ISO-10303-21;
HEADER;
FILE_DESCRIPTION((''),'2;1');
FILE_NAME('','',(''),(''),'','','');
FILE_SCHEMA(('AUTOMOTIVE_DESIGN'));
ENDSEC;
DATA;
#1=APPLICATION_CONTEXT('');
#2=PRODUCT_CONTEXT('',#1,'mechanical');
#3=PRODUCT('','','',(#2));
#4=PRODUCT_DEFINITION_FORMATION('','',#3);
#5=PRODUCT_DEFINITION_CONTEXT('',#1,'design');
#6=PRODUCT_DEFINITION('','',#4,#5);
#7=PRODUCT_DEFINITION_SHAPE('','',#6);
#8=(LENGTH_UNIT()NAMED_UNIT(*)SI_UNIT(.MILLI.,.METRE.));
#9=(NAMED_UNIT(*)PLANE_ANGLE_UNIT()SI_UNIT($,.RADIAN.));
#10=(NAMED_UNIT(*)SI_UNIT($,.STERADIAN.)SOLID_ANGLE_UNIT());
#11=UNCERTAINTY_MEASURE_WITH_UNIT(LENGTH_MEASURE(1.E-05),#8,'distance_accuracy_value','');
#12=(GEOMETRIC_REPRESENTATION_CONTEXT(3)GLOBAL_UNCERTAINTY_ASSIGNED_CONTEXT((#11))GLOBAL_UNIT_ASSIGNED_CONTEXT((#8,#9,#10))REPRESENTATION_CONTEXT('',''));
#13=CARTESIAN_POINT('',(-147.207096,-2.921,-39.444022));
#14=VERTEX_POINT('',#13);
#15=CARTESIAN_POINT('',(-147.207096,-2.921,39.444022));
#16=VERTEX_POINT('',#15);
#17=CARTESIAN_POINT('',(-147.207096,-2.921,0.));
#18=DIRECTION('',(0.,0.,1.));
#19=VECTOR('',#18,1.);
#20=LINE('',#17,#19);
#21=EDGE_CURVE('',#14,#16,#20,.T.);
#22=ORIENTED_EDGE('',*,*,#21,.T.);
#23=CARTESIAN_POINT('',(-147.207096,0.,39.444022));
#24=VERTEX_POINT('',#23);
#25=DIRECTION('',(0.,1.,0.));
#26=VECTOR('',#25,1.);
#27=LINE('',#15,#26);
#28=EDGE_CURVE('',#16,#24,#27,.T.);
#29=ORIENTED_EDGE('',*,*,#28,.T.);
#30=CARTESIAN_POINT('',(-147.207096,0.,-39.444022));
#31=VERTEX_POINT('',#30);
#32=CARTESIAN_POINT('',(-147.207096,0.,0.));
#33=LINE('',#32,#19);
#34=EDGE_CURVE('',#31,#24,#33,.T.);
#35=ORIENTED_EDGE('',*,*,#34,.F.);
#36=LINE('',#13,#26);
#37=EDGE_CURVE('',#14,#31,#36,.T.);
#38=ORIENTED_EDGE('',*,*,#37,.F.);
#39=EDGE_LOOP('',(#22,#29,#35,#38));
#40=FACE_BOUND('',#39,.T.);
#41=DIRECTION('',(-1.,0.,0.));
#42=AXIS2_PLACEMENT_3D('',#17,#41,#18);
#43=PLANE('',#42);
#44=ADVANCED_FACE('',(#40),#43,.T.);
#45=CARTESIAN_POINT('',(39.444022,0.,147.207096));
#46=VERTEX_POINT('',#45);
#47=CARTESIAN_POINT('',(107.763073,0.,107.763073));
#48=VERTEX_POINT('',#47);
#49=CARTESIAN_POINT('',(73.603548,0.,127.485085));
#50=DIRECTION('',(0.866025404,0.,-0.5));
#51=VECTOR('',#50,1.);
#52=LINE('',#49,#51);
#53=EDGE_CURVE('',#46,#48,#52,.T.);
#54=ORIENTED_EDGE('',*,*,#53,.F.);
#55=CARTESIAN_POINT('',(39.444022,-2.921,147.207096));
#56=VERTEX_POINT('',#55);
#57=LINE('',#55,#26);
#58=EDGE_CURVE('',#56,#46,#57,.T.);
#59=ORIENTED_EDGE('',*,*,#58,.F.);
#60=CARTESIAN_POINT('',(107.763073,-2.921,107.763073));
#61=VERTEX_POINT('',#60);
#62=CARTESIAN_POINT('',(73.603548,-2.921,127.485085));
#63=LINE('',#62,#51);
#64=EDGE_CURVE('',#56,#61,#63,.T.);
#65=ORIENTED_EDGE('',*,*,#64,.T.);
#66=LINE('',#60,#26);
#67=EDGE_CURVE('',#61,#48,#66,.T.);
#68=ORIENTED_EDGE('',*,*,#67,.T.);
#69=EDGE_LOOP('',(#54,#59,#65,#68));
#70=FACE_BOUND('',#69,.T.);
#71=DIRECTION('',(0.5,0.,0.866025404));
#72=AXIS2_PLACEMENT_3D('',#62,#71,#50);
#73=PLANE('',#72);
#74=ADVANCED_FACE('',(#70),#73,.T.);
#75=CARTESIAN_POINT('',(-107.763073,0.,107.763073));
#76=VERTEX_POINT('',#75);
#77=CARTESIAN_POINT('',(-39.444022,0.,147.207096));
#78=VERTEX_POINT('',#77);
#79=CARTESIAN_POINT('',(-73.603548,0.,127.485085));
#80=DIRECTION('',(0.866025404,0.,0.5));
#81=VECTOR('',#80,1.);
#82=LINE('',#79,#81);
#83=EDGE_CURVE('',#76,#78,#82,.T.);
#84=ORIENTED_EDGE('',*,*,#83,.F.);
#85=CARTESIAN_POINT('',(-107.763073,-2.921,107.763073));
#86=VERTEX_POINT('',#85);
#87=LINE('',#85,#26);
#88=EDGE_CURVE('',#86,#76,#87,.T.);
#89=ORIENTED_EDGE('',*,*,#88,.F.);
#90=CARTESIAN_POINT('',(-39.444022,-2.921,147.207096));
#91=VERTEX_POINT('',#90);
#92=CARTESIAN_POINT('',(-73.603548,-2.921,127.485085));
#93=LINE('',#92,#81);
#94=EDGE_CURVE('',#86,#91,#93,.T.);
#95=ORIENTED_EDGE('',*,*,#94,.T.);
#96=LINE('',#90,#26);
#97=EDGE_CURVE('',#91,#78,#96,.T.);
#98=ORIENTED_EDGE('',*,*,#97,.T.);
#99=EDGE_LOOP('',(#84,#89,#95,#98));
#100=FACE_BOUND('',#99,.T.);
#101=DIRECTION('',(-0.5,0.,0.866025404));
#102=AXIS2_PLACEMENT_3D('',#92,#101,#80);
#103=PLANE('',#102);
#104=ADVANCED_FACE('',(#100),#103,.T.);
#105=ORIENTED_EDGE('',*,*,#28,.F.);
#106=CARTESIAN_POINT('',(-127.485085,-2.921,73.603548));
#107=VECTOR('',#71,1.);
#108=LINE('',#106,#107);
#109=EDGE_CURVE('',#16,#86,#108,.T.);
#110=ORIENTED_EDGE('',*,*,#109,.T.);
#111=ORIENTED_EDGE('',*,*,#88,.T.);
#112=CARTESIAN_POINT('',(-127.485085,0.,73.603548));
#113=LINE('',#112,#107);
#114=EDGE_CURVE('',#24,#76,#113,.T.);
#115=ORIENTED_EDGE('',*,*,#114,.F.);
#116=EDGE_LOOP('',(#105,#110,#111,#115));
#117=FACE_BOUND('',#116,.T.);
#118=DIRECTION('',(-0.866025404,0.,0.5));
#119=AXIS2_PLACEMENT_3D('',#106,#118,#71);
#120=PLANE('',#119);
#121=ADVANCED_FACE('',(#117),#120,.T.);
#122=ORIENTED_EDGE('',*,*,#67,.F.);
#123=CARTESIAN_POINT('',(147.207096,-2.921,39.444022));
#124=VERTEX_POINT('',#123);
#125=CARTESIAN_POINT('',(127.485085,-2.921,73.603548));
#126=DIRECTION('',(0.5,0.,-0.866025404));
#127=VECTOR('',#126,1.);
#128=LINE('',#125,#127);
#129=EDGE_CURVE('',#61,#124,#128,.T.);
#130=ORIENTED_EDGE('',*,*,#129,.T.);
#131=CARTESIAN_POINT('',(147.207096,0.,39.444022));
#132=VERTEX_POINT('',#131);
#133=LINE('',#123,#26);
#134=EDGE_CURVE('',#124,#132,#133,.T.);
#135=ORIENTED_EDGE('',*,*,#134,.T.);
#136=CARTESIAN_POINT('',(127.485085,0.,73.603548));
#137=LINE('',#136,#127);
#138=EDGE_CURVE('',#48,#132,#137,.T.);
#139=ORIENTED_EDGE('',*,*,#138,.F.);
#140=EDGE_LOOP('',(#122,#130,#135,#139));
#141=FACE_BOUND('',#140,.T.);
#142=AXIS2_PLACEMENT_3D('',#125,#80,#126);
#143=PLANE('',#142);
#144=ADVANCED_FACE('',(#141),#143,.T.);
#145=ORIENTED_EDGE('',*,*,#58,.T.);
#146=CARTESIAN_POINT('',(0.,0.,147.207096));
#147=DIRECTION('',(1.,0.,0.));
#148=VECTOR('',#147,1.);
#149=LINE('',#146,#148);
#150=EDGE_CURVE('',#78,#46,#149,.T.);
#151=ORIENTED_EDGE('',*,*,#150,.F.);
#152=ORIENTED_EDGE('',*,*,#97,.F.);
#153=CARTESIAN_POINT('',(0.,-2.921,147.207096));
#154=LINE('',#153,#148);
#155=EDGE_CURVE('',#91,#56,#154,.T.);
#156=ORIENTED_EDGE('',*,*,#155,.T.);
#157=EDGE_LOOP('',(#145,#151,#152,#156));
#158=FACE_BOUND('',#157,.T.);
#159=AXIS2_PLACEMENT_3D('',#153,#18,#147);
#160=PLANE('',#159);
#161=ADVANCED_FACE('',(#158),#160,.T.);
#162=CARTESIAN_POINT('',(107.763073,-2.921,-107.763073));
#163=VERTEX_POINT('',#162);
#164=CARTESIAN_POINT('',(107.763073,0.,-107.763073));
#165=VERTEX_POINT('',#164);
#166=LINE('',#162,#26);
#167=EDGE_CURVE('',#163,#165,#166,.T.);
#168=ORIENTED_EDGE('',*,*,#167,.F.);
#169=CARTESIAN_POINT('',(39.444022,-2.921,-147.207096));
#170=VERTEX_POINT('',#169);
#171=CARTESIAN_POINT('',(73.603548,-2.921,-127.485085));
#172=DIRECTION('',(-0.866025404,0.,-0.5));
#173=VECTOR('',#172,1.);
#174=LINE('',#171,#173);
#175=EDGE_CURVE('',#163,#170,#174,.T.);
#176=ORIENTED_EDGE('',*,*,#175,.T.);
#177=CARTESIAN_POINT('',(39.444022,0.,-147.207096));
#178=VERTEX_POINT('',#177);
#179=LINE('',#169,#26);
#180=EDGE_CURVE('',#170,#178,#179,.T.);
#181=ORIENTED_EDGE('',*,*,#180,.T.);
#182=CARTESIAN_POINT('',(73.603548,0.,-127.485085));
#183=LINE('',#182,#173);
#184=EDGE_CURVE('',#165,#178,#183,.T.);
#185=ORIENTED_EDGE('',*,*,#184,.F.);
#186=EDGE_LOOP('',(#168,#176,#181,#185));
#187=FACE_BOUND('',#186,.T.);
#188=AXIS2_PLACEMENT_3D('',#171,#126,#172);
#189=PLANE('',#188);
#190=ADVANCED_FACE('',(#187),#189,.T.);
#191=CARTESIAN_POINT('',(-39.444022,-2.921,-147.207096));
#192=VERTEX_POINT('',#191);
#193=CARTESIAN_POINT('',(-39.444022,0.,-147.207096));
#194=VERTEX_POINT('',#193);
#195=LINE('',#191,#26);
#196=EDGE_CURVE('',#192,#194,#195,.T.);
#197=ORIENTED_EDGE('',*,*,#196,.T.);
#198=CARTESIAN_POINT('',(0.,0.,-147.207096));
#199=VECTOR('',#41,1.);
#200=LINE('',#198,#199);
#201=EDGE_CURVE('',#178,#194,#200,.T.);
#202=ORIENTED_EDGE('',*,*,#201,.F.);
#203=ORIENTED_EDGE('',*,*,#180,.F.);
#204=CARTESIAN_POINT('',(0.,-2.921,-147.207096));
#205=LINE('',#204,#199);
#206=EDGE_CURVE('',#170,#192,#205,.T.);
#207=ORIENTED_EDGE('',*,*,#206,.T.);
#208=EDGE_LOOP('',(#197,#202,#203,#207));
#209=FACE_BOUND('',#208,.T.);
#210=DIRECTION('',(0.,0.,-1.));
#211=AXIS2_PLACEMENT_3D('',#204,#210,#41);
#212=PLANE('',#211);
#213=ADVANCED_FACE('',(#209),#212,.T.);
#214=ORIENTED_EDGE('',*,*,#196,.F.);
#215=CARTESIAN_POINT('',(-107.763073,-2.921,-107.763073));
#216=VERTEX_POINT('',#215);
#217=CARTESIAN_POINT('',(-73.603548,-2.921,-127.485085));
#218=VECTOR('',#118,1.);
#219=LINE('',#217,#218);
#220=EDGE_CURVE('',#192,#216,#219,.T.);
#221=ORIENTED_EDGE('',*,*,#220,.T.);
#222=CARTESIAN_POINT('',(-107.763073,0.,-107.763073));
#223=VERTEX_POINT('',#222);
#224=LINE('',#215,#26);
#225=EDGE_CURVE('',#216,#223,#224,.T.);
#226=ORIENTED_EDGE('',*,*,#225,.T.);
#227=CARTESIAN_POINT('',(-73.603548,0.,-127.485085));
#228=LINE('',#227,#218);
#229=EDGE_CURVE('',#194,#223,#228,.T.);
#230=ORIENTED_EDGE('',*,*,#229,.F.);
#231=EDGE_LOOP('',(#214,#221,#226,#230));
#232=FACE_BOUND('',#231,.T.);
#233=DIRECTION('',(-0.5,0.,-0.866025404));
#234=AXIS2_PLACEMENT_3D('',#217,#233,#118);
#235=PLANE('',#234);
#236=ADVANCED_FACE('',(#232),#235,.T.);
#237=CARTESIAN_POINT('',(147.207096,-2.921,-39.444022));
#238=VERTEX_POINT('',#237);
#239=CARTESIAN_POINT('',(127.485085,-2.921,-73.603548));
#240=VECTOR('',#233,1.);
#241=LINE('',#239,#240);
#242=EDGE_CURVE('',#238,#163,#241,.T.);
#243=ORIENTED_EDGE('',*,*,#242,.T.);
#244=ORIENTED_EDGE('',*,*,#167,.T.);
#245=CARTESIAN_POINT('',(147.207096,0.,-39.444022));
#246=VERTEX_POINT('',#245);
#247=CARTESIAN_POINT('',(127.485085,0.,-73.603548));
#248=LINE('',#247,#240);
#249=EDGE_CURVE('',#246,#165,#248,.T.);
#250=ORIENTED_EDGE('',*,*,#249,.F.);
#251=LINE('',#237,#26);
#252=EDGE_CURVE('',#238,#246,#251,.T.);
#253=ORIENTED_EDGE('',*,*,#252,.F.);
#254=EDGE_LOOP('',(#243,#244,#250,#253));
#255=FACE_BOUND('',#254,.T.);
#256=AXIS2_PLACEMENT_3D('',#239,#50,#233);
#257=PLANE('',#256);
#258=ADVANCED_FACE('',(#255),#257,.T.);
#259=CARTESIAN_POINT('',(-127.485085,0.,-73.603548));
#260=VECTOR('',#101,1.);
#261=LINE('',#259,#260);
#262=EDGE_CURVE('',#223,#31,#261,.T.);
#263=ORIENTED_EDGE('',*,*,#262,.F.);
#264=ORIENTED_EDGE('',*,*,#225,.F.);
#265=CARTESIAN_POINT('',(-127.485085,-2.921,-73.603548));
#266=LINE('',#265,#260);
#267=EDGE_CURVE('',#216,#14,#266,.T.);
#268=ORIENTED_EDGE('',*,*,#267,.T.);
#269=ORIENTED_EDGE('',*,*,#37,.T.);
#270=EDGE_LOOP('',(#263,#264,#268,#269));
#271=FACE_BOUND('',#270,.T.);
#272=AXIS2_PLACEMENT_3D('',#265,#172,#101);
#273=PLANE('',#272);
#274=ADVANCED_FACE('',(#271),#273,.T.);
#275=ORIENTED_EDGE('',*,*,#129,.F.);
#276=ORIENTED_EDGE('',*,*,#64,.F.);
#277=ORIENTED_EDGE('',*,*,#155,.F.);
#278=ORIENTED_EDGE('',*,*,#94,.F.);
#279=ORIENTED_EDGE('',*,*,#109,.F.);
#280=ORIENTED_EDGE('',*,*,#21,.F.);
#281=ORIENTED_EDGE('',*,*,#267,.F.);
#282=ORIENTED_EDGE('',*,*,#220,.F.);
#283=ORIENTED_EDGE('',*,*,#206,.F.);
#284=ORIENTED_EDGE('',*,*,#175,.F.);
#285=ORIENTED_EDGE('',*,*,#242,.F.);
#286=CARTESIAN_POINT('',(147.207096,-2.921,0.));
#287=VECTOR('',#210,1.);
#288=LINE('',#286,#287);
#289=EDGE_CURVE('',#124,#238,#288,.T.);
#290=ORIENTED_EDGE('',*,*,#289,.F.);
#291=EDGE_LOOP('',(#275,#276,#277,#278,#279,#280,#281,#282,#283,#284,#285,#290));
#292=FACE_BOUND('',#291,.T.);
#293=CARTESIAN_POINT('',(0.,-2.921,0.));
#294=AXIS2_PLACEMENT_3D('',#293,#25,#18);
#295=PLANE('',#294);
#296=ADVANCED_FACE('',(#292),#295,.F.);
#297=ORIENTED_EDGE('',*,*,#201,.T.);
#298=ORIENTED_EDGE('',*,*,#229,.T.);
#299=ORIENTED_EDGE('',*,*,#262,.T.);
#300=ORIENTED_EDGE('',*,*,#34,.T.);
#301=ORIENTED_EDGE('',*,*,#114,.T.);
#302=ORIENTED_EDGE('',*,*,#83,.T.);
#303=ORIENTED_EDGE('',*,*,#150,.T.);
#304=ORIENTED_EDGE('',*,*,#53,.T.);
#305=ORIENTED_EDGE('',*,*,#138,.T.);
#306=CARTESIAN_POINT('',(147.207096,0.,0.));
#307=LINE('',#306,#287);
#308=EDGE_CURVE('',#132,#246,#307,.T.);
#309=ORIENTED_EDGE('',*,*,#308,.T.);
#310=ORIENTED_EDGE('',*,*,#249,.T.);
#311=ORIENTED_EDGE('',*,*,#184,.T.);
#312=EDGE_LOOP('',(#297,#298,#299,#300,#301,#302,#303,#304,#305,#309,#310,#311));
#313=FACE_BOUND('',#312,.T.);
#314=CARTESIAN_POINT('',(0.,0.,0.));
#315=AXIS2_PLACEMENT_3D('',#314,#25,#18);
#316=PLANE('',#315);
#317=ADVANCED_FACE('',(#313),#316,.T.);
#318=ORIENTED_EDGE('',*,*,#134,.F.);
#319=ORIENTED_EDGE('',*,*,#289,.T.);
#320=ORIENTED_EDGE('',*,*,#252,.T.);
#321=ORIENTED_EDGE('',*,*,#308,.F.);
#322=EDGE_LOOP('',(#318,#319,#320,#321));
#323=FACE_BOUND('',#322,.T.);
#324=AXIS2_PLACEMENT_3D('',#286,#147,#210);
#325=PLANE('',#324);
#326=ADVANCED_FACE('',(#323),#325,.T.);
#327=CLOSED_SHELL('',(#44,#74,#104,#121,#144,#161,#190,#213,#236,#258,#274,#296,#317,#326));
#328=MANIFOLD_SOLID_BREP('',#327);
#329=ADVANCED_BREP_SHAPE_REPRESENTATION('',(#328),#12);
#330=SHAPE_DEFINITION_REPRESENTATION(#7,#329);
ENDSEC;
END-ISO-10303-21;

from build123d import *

# Parameters (mm, degrees)
BOSS_EXTRUDE1_DEPTH = 2.921


with BuildPart() as part:
    # Sketch1 → Boss-Extrude1 (new body)
    with BuildSketch(Plane(origin=(0, 0, 0), x_dir=(1, 0, 0), z_dir=(0, 1, 0))):
        Polygon((147.207095926, 39.444022474), (107.763073453, 107.763073453), (39.444022474, 147.207095926), (-39.444022474, 147.207095926), (-107.763073453, 107.763073453), (-147.207095926, 39.444022474), (-147.207095926, -39.444022474), (-107.763073453, -107.763073453), (-39.444022474, -147.207095926), (39.444022474, -147.207095926), (107.763073453, -107.763073453), (147.207095926, -39.444022474), align=None)
    extrude(amount=-BOSS_EXTRUDE1_DEPTH)


solid = part.part
